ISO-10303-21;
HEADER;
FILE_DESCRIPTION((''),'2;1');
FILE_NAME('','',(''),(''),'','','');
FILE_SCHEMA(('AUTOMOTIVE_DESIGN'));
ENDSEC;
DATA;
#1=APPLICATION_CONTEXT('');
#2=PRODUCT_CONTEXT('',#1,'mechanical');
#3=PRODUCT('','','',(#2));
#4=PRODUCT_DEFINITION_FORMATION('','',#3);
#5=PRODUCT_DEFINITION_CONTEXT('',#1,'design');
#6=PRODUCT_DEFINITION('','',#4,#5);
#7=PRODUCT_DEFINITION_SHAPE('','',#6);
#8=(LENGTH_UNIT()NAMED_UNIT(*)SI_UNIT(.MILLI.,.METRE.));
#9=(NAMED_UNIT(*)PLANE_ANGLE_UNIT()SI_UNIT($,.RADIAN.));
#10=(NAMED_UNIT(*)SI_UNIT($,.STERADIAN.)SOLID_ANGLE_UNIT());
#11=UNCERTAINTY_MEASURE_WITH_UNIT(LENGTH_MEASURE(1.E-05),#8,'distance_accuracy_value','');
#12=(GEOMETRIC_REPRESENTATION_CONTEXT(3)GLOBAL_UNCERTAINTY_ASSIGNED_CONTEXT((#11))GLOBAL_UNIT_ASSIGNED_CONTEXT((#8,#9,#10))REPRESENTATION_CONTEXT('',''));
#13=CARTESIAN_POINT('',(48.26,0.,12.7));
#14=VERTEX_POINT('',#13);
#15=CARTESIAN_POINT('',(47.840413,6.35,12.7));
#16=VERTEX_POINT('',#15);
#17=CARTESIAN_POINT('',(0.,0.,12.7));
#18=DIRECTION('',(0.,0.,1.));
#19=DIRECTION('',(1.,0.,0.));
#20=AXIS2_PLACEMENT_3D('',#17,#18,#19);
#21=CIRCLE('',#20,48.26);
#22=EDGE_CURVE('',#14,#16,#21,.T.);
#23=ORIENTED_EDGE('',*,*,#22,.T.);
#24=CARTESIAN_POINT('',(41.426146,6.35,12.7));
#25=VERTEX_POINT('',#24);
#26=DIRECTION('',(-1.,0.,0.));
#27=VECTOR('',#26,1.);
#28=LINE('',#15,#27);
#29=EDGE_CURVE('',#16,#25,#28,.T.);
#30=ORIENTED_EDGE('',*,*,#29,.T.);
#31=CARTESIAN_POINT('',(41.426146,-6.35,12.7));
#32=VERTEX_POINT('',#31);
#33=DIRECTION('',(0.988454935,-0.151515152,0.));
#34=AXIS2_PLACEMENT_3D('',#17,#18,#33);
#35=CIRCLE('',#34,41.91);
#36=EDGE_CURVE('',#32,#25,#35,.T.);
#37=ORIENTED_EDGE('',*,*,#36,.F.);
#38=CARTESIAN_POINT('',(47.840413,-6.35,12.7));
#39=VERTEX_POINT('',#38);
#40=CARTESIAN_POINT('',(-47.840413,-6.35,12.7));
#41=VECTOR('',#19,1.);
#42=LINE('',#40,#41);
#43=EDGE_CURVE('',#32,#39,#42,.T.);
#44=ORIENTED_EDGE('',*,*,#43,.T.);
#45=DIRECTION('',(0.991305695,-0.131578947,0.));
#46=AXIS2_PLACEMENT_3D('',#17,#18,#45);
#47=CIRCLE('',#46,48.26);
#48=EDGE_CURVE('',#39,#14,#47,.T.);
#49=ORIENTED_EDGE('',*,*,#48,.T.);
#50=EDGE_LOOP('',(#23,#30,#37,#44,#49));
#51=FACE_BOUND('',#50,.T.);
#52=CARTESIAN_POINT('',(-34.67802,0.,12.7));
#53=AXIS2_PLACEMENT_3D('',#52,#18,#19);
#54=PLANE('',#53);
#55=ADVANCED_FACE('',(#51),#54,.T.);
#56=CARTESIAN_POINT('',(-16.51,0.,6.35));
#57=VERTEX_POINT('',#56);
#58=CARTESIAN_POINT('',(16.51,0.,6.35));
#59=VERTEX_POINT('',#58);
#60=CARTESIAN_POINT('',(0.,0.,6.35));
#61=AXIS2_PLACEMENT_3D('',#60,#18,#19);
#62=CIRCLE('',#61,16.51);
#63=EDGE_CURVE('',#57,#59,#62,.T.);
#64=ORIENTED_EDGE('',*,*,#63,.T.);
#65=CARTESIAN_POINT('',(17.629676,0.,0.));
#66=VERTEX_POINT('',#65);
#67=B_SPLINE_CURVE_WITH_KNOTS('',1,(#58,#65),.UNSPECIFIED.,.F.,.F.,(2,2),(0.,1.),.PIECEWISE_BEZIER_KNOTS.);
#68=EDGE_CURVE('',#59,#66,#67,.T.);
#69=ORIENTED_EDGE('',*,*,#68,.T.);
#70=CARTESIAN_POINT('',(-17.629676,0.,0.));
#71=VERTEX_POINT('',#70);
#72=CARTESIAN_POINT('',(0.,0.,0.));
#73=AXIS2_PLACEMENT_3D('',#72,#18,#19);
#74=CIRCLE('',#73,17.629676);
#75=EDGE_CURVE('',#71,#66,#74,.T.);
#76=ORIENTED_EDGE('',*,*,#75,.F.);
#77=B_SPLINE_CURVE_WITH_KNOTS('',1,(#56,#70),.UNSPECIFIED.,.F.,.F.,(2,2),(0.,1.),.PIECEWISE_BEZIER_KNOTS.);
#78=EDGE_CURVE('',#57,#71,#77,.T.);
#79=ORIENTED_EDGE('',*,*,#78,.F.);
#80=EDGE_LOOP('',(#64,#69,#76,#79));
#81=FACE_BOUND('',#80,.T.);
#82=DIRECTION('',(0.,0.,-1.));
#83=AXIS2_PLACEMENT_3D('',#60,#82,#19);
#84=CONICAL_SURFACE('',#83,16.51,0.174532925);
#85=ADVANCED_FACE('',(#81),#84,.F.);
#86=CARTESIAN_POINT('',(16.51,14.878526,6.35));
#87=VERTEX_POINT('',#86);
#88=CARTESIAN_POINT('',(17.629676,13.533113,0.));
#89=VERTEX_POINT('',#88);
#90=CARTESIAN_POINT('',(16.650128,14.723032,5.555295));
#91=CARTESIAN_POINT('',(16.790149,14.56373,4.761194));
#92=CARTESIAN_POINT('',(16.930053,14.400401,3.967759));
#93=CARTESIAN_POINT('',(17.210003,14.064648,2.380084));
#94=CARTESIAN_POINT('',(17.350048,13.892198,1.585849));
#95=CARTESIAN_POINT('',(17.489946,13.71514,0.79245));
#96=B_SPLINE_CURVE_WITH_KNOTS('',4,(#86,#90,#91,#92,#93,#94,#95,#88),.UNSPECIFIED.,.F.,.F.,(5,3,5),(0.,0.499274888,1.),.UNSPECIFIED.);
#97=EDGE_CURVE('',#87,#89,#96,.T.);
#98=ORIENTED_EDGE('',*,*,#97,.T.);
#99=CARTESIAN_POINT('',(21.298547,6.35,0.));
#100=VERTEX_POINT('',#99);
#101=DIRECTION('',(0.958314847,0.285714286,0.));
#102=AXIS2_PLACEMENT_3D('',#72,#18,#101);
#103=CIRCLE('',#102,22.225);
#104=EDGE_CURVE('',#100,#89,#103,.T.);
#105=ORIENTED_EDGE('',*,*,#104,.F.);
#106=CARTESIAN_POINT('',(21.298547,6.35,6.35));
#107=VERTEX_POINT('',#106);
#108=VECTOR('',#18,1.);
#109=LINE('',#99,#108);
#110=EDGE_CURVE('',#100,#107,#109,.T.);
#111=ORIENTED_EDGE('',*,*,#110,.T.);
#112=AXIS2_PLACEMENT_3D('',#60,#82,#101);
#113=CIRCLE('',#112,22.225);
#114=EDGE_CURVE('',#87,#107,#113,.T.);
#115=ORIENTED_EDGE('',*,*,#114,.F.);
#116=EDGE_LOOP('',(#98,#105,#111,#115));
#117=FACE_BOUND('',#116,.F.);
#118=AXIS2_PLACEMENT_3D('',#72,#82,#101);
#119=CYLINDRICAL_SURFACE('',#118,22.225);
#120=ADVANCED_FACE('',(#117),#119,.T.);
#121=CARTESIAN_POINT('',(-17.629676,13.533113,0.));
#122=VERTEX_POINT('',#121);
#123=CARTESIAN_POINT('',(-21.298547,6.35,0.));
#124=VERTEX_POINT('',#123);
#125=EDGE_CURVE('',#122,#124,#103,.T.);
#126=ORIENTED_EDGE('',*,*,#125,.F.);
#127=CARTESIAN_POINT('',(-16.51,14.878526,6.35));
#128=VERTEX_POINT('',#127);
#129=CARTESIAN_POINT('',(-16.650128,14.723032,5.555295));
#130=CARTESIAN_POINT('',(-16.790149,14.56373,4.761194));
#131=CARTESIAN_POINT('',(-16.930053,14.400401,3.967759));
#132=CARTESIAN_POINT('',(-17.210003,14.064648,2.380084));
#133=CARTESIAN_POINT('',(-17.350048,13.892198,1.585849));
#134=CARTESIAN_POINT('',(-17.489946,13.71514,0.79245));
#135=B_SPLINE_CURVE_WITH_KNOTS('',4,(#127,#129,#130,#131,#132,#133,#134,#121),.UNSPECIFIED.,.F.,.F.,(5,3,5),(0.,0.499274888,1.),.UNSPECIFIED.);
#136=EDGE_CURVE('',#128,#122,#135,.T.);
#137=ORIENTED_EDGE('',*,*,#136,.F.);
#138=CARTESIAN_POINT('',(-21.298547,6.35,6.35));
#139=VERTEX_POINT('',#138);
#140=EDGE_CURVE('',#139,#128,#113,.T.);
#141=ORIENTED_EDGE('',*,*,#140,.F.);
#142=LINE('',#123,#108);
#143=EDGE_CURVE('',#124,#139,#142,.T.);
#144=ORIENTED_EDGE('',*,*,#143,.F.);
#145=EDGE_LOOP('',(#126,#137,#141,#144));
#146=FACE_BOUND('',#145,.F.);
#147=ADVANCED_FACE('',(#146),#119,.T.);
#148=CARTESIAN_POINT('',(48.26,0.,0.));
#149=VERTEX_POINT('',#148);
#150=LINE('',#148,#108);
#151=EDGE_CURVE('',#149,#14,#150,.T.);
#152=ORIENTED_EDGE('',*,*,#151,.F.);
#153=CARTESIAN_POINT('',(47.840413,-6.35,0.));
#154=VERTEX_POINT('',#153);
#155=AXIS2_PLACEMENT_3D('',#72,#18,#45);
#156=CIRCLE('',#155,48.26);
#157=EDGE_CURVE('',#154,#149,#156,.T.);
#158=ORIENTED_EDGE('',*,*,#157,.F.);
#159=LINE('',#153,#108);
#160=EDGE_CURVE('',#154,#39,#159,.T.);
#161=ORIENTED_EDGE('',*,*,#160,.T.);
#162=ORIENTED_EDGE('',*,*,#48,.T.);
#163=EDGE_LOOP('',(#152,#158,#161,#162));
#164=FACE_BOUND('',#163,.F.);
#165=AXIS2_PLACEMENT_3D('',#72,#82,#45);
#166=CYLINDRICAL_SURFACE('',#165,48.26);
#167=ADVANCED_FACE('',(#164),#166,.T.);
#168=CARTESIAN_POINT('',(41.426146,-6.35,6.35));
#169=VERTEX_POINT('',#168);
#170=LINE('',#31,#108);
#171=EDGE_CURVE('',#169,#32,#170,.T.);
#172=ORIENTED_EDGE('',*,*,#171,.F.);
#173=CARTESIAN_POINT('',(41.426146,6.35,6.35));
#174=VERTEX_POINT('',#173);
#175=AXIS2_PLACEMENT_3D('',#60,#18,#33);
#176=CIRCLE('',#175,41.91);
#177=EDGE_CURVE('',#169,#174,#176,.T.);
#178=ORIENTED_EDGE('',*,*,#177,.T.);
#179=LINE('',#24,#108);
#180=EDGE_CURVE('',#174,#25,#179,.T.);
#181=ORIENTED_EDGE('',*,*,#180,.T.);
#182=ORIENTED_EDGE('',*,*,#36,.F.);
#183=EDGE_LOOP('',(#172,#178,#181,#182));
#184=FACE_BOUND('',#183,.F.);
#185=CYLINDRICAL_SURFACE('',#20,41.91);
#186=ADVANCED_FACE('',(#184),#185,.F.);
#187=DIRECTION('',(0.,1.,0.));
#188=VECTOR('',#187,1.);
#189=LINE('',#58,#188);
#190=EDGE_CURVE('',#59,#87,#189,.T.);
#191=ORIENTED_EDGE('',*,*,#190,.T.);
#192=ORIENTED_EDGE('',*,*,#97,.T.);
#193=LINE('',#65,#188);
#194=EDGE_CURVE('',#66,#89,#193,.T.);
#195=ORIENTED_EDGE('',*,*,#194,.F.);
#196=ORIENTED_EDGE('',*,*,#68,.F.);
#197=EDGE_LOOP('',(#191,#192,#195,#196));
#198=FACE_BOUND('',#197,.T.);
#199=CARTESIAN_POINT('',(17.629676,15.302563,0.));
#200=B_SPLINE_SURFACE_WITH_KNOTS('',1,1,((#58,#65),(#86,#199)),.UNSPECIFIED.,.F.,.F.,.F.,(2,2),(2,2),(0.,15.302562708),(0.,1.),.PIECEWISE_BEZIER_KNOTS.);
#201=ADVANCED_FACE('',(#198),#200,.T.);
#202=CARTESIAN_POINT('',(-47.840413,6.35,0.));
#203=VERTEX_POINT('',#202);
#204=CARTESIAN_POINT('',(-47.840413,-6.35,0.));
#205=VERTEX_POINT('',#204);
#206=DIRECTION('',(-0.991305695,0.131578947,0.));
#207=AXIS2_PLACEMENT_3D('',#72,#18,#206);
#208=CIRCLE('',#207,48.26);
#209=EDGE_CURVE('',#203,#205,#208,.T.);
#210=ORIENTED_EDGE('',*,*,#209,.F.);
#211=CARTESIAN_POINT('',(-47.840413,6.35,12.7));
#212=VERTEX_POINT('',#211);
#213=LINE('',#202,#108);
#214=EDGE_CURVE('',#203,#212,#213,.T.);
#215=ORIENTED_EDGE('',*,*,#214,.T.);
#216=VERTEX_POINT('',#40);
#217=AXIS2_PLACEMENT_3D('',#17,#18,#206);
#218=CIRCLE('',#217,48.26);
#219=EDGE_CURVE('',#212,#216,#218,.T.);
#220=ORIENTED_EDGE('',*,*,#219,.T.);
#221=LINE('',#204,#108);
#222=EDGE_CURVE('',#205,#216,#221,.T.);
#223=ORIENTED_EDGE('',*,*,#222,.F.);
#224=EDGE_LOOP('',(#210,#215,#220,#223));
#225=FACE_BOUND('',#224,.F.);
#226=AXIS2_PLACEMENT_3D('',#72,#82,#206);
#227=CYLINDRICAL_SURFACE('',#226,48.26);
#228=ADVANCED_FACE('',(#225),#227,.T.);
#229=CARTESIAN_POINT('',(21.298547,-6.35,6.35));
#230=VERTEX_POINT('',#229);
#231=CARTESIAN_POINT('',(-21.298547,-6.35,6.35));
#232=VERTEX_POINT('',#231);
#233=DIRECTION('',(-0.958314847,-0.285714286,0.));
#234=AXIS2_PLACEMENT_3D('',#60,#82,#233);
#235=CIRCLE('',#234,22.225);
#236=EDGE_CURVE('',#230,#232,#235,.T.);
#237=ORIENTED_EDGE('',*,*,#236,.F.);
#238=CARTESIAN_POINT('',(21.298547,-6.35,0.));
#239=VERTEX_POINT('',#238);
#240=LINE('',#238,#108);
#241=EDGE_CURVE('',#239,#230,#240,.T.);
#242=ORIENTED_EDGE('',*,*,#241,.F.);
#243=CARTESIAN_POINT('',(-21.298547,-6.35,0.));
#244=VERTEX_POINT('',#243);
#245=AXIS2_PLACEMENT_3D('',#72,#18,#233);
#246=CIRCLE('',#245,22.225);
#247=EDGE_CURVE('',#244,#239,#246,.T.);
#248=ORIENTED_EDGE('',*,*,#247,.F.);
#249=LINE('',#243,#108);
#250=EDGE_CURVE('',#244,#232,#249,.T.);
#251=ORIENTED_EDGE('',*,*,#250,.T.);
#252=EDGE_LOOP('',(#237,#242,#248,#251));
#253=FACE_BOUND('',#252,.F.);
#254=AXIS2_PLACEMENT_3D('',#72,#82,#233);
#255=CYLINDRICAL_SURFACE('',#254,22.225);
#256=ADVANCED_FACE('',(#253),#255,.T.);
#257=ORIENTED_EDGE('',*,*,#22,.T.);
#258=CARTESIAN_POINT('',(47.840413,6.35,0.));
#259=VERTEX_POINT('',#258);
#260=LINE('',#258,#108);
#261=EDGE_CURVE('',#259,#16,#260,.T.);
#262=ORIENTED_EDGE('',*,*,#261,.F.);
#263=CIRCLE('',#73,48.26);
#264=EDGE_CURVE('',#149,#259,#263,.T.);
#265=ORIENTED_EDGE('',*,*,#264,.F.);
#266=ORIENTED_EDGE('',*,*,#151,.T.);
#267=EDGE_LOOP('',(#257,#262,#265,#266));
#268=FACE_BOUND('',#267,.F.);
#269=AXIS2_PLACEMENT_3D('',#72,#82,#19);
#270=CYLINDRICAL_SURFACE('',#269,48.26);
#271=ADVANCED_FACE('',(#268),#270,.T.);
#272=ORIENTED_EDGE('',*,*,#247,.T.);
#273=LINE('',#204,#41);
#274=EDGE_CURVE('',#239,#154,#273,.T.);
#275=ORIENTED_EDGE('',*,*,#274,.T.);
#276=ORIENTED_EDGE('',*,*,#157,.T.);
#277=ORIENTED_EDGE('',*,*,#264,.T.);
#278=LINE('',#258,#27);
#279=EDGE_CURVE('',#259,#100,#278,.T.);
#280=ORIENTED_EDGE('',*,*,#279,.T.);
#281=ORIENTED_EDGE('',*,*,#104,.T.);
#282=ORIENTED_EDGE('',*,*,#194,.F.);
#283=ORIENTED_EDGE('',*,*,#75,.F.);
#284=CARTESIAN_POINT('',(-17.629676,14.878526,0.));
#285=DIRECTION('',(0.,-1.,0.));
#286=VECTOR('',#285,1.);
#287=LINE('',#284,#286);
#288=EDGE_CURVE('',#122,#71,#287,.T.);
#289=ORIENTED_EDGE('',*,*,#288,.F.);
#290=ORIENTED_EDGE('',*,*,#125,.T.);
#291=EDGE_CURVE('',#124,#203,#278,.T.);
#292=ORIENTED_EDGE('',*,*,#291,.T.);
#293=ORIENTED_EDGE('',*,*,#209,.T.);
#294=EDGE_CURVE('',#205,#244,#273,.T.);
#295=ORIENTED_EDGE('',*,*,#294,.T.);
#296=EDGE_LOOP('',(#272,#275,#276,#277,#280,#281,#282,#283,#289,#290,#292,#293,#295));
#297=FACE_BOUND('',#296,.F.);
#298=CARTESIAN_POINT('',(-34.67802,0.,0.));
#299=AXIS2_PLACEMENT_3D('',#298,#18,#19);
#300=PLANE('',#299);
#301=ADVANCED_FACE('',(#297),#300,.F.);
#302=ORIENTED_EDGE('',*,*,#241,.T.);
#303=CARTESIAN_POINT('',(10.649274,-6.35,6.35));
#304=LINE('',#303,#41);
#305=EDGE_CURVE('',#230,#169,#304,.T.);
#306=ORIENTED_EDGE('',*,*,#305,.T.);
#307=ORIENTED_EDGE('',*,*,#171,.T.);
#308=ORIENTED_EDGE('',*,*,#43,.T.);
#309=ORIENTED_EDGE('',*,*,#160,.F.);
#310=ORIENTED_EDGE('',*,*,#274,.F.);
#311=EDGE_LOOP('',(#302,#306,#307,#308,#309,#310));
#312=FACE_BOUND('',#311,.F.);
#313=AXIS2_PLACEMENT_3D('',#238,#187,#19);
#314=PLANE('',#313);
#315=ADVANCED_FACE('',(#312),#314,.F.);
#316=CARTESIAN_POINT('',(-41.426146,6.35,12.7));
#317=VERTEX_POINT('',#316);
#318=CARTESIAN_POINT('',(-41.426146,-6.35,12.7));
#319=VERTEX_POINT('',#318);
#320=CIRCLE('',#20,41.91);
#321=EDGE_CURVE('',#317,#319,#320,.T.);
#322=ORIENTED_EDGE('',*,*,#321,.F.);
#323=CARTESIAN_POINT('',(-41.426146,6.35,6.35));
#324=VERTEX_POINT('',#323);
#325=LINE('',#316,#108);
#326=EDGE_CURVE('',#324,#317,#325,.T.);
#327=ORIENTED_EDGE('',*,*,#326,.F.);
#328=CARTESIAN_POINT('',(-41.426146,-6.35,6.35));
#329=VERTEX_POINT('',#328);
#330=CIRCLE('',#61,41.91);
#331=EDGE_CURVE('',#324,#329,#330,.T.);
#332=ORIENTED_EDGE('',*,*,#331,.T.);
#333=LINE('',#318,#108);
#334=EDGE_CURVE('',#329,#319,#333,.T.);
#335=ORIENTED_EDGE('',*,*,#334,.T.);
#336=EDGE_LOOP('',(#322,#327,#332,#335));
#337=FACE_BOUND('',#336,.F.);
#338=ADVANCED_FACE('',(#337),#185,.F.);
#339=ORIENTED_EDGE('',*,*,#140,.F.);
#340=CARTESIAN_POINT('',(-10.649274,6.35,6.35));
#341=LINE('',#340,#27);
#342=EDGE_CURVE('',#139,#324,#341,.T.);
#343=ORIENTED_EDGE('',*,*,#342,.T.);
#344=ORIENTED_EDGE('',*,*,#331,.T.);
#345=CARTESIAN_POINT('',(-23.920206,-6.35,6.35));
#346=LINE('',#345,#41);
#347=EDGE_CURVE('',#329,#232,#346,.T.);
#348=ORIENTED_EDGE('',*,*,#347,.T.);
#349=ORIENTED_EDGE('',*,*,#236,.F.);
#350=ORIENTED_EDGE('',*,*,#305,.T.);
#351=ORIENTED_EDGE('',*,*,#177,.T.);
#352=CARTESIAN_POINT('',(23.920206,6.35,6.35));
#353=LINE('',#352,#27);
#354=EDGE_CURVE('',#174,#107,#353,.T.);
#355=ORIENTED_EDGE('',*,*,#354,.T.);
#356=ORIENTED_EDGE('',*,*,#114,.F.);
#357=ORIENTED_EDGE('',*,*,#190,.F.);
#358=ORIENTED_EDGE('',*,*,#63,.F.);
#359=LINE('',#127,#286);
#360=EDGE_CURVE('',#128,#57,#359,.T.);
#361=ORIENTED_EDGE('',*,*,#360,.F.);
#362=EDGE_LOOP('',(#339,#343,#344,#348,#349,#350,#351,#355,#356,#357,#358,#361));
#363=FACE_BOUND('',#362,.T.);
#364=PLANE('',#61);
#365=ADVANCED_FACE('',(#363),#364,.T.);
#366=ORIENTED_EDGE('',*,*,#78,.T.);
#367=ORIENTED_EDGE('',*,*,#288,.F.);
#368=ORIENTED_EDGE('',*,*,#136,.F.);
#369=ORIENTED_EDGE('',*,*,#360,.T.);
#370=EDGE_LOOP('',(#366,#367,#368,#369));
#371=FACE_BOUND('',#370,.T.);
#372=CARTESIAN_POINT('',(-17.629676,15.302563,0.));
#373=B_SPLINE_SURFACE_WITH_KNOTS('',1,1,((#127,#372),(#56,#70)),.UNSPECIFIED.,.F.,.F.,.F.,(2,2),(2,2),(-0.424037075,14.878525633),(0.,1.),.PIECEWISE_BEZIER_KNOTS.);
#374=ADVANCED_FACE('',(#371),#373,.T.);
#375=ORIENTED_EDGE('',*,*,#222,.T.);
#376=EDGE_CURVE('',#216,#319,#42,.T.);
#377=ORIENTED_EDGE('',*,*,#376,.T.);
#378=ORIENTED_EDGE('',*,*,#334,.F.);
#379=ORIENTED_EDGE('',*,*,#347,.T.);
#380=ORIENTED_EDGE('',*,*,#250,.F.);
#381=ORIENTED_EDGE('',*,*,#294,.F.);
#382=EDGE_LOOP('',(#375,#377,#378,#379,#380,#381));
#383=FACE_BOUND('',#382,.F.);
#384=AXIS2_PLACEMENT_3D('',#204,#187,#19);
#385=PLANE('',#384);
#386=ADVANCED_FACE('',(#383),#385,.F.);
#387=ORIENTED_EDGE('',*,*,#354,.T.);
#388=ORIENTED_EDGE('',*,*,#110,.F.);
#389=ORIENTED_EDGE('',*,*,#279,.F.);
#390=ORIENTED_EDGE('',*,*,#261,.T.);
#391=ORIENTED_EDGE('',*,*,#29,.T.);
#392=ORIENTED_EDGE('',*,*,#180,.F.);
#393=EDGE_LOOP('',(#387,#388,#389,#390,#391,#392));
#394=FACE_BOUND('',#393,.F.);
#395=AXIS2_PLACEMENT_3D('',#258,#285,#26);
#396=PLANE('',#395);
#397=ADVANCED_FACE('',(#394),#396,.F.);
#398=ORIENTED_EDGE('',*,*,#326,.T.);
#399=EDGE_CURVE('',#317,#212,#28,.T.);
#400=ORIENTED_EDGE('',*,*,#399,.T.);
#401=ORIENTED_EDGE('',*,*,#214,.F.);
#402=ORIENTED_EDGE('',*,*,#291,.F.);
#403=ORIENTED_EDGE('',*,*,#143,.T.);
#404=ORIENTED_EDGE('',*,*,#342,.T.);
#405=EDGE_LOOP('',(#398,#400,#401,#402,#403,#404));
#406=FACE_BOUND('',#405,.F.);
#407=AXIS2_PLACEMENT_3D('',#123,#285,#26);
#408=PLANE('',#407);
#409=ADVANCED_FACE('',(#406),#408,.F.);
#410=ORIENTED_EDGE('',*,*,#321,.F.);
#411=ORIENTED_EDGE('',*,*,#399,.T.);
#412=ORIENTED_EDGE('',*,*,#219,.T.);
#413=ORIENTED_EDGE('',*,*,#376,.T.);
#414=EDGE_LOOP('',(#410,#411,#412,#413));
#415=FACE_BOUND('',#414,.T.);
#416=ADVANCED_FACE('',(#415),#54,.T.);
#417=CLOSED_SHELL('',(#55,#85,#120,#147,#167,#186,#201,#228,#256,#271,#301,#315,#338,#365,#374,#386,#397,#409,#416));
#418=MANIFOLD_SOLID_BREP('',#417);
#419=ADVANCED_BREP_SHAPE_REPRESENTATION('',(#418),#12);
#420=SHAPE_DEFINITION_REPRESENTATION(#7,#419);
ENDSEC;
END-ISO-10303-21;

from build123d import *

# Parameters (mm, degrees)
F1_DEPTH = 12.7
F2_R     = 41.91
F3_DEPTH = 6.35
F5_DEPTH = 6.35
F5_TAPER = -10


with BuildPart() as f1:
    # F0 (on Top) → F1 (new body)
    with BuildSketch(Plane.XY):
        with BuildLine():
            Line((-21.2985474857, 6.35), (-47.8404128327, 6.35))
            ThreePointArc((-47.8404128327, 6.35), (-48.26, 0), (-47.8404128327, -6.35))
            Line((-47.8404128327, -6.35), (-21.2985474857, -6.35))
            ThreePointArc((-21.2985474857, -6.35), (-22.225, 0), (-21.2985474857, 6.35))
        make_face()
        with BuildLine():
            ThreePointArc((22.225, 0), (21.9921672746, 3.2086139633), (21.2985474857, 6.35))
            Line((21.2985474857, 6.35), (-21.2985474857, 6.35))
            ThreePointArc((-21.2985474857, 6.35), (-22.225, 0), (-21.2985474857, -6.35))
            Line((-21.2985474857, -6.35), (21.2985474857, -6.35))
            ThreePointArc((21.2985474857, -6.35), (21.9921672746, -3.2086139633), (22.225, 0))
        make_face()
        with BuildLine():
            ThreePointArc((47.8404128327, -6.35), (48.1549889591, -3.1819236867), (48.26, 0))
            ThreePointArc((48.26, 0), (48.1549889591, 3.1819236867), (47.8404128327, 6.35))
            Line((47.8404128327, 6.35), (21.2985474857, 6.35))
            ThreePointArc((21.2985474857, 6.35), (21.9921672746, 3.2086139633), (22.225, 0))
            ThreePointArc((22.225, 0), (21.9921672746, -3.2086139633), (21.2985474857, -6.35))
            Line((21.2985474857, -6.35), (47.8404128327, -6.35))
        make_face()
        with BuildLine():
            ThreePointArc((-21.2985474857, -6.35), (0, -22.225), (21.2985474857, -6.35))
            Line((21.2985474857, -6.35), (-21.2985474857, -6.35))
        make_face()
        with BuildLine():
            Line((-21.2985474857, 6.35), (21.2985474857, 6.35))
            ThreePointArc((21.2985474857, 6.35), (0, 22.225), (-21.2985474857, 6.35))
        make_face()
    extrude(amount=F1_DEPTH)

    # F2 (on face) → F3 (cut)
    with BuildSketch(Plane.XY.offset(12.7)):
        Circle(F2_R)
    extrude(amount=-F3_DEPTH, mode=Mode.SUBTRACT)

    # F4 (on face) → F5 (cut, through all)
    with BuildSketch(Plane.XY.offset(6.35)):
        with BuildLine():
            ThreePointArc((-16.51, 0), (0, 16.51), (16.51, 0))
            Line((16.51, 0), (16.51, 14.8785256326))
            ThreePointArc((16.51, 14.8785256326), (0, 22.225), (-16.51, 14.8785256326))
            Line((-16.51, 14.8785256326), (-16.51, 0))
        make_face()
        with BuildLine():
            ThreePointArc((-16.51, 0), (0, -16.51), (16.51, 0))
            ThreePointArc((16.51, 0), (0, 16.51), (-16.51, 0))
        make_face()
    extrude(amount=-F5_DEPTH, taper=F5_TAPER, mode=Mode.SUBTRACT)


solid = f1.part
